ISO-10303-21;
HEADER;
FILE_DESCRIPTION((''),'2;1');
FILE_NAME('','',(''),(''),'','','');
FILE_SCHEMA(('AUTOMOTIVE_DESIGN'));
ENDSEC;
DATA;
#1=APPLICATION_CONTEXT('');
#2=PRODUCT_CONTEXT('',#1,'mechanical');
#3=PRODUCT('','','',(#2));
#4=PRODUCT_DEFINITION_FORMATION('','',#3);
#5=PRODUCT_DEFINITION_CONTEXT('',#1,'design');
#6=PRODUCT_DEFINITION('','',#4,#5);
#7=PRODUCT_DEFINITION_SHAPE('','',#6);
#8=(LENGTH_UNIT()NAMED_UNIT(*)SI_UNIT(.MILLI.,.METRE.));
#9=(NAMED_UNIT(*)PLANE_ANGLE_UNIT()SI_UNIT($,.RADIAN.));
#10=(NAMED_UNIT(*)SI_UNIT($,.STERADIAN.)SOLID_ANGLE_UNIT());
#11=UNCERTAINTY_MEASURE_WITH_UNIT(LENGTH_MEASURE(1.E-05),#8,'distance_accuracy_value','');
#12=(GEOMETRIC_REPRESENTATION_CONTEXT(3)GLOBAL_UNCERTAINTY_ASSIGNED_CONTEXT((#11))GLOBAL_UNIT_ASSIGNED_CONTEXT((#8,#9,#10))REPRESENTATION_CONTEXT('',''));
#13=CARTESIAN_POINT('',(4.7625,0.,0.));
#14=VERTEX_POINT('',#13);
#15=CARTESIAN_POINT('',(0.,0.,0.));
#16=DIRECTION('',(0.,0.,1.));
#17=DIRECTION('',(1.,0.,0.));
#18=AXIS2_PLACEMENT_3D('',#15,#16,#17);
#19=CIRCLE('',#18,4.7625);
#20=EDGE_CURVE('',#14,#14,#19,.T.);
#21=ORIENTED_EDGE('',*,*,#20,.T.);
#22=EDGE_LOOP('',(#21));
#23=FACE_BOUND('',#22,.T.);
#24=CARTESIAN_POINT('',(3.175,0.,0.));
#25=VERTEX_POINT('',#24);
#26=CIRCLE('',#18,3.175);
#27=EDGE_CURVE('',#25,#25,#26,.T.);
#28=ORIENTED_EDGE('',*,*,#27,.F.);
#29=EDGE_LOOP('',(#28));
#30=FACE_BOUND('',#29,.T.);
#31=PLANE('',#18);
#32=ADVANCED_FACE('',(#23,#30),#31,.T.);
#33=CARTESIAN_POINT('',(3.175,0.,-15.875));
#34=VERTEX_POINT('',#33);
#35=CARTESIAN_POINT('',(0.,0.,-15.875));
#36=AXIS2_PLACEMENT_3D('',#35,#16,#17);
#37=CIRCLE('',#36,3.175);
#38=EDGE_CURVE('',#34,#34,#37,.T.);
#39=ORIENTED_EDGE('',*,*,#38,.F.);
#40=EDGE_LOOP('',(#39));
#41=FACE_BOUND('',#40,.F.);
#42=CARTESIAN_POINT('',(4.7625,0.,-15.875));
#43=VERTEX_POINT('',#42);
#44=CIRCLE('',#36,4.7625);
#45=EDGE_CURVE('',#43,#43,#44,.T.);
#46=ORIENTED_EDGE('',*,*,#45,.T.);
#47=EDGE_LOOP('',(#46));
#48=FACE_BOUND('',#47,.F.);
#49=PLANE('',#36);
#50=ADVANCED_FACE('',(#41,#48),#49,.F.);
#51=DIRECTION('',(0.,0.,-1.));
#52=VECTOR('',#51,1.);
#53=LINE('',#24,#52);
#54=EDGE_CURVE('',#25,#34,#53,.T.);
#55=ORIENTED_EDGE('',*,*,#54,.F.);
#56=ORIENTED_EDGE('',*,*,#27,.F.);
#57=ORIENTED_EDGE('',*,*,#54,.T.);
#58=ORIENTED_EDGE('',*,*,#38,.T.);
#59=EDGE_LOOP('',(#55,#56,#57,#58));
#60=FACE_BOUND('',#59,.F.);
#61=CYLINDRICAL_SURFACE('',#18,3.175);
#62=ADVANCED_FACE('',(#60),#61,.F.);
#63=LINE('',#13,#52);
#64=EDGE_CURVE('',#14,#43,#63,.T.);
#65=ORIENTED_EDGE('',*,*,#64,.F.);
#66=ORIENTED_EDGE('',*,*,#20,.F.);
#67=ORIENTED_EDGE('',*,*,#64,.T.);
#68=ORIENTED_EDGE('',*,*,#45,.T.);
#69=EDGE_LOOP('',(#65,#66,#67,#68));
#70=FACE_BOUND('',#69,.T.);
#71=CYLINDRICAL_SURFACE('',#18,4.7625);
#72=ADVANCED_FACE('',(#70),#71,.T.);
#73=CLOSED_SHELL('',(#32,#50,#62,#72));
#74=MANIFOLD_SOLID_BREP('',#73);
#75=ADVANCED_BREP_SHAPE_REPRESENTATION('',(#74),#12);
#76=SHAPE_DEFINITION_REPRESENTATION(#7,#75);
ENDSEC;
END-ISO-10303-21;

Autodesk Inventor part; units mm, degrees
ref_plane "YZ Plane" through (0, 0, 0) normal (1, 0, 0) x (0, 1, 0)
ref_plane "XZ Plane" through (0, 0, 0) normal (0, 1, 0) x (-1, 0, 0)
ref_plane "XY Plane" through (0, 0, 0) normal (0, 0, 1) x (1, 0, 0)
sketch "Sketch1" plane through (0, 0, 0) normal (0, 0, 1) x (1, 0, 0)
  circle A0 centre (0, 0) radius 3.175
  circle A1 centre (0, 0) radius 4.7625
  dimension "d0" = 6.35
  dimension "d1" = 1.5875
extrude "Extrusion1" add sketch "Sketch1" against normal blind 15.875
properties part number "AD-hoc .625 spacer"
